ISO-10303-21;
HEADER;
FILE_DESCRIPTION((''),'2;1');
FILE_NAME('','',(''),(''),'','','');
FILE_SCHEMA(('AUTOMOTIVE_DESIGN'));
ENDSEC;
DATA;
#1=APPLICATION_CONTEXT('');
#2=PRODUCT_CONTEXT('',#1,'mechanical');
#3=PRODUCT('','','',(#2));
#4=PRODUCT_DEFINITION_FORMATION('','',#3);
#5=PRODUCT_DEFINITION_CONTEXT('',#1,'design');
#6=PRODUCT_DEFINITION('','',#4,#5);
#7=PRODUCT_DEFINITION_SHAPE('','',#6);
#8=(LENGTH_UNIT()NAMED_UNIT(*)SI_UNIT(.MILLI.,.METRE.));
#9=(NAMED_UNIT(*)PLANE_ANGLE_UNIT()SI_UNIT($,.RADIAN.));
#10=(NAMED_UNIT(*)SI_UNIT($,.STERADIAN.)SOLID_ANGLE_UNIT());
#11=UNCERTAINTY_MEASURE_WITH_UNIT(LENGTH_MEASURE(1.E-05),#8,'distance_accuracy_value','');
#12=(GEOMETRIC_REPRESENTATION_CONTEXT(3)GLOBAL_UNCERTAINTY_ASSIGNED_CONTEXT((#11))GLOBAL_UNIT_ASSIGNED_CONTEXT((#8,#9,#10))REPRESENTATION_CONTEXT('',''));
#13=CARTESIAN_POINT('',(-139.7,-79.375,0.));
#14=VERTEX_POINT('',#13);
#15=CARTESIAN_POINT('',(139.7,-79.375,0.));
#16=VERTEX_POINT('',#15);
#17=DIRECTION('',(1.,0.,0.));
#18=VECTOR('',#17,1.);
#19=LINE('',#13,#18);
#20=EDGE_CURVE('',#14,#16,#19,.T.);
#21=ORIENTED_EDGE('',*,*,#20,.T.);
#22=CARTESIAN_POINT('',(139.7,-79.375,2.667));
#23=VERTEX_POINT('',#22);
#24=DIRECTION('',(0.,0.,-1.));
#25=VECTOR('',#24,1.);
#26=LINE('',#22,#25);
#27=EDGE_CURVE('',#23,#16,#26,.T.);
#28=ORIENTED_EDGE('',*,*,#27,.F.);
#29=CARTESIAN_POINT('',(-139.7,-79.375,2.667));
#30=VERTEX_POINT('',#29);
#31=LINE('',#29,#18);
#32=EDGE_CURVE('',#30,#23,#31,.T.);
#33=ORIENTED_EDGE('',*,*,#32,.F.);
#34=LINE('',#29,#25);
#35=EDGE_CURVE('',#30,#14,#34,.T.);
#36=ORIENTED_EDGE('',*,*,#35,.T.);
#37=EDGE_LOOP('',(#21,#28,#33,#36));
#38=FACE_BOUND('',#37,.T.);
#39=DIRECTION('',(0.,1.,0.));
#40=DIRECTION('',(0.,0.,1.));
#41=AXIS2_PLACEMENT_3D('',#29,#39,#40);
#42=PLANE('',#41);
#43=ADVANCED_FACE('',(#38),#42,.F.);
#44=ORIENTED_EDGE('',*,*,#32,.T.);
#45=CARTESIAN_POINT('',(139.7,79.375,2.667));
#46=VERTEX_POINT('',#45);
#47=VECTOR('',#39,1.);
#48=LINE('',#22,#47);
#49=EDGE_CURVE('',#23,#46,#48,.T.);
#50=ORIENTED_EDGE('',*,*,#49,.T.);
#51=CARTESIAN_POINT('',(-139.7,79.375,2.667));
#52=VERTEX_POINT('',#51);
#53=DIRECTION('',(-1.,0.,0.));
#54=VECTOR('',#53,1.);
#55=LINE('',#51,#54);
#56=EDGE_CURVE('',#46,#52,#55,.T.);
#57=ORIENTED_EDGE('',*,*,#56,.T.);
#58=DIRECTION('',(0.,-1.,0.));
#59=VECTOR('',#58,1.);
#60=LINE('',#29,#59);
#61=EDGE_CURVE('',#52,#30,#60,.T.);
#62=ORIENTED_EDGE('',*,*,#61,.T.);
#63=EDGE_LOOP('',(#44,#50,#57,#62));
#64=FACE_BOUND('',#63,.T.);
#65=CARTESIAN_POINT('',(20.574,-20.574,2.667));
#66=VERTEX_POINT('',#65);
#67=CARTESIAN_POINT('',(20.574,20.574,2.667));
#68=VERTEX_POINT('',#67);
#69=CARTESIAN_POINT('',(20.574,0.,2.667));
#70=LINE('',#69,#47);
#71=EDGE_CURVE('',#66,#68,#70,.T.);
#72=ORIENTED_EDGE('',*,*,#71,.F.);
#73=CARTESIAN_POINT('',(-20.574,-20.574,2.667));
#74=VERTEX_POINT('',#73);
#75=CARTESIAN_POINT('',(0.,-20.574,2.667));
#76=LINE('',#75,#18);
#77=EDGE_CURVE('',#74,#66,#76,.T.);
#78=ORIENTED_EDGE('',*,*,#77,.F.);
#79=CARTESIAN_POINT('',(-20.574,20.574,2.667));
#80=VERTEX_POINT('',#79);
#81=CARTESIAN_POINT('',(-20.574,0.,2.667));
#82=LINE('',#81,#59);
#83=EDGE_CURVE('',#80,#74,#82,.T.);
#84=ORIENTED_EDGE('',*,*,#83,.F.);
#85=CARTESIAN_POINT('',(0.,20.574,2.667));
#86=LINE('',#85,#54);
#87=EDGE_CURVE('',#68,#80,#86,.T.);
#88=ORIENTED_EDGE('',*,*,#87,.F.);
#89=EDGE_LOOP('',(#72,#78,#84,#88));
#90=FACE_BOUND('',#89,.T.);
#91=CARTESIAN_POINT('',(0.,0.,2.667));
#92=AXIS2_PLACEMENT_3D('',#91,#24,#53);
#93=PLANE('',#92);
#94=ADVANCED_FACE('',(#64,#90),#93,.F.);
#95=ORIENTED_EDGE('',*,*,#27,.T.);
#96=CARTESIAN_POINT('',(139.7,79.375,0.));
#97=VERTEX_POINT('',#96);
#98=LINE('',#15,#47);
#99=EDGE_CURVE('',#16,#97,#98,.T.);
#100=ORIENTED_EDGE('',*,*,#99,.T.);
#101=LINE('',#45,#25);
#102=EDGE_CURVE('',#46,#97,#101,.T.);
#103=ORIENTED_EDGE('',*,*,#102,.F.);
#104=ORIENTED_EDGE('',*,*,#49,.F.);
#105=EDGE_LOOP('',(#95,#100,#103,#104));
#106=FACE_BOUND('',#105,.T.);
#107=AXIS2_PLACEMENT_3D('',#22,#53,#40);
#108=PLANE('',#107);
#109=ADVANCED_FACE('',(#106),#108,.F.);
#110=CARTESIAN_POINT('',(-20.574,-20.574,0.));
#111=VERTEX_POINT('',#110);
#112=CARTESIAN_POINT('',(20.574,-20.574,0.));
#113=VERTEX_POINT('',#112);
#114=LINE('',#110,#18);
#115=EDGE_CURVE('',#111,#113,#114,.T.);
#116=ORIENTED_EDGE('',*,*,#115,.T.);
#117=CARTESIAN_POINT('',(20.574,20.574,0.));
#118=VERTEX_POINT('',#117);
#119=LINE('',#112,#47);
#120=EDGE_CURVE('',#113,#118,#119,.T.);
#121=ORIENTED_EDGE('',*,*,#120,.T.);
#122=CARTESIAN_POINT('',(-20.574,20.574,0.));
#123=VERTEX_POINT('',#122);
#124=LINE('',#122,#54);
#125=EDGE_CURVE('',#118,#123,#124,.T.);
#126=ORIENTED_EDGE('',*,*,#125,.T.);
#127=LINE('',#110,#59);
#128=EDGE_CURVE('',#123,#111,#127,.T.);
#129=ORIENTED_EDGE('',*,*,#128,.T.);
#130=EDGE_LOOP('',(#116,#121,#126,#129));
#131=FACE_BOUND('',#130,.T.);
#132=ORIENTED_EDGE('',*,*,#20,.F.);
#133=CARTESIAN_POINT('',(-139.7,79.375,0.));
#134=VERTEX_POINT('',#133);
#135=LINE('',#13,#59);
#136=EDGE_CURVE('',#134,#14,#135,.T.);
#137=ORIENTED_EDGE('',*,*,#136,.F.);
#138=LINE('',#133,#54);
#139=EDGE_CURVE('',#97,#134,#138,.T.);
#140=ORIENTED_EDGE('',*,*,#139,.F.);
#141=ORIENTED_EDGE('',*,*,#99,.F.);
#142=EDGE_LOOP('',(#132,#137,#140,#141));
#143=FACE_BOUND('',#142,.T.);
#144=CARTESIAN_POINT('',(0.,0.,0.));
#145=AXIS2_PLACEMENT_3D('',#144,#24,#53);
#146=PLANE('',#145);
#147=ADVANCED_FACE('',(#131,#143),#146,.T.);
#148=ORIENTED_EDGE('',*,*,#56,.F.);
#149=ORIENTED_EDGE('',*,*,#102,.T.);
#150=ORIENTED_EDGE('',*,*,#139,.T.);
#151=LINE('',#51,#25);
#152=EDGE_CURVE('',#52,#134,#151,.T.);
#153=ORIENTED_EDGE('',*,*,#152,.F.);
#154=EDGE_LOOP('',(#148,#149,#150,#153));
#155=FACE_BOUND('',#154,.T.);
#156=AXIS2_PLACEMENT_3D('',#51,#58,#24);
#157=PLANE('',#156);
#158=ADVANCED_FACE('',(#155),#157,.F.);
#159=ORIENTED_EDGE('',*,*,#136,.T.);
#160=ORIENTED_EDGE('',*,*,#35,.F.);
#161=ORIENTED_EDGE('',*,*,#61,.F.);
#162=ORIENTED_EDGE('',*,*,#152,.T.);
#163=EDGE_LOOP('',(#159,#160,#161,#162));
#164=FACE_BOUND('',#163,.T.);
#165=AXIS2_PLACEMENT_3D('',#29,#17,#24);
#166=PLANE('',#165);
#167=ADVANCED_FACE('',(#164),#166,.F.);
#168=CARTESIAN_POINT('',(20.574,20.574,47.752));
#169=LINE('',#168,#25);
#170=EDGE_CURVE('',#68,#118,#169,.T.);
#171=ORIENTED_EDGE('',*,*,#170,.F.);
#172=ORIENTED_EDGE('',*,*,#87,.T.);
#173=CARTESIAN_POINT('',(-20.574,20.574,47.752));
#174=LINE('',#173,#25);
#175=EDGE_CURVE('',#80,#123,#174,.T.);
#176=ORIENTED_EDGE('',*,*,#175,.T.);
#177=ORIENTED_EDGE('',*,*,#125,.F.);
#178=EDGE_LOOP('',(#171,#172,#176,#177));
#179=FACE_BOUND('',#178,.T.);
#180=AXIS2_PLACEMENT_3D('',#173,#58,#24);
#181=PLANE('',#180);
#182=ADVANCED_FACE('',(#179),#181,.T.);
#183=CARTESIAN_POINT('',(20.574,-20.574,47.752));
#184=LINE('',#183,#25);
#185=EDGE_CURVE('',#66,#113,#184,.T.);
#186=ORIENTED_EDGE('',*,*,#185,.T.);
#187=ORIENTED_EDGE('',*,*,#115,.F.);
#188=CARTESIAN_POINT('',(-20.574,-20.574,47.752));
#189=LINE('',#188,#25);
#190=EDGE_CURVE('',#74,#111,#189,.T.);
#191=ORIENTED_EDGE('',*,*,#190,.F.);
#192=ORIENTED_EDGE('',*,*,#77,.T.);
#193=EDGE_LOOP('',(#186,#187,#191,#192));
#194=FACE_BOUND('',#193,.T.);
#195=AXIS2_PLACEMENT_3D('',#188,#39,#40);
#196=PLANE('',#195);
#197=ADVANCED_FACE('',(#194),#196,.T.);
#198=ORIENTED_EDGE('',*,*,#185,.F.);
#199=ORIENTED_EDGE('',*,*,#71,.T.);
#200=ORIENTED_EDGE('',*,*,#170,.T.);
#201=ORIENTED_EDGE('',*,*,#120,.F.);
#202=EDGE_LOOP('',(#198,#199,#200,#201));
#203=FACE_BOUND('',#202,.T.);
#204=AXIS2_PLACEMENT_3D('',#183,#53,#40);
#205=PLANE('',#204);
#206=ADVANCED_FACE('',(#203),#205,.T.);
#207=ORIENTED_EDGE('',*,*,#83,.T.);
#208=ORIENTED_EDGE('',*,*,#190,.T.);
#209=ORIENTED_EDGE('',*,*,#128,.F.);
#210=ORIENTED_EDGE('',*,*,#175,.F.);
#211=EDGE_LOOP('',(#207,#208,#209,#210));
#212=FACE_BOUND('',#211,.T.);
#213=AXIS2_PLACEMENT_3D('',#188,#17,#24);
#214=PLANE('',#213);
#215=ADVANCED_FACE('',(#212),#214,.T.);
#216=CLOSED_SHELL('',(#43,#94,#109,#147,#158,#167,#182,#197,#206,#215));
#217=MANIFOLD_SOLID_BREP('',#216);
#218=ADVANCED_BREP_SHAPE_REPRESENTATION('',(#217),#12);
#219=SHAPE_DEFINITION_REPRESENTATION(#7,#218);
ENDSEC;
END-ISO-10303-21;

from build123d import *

# Parameters (mm, degrees)
SKETCH1_W           = 279.4
SKETCH1_H           = 158.75
BOSS_EXTRUDE1_DEPTH = 2.667
SKETCH2_W           = 41.148
SKETCH2_H           = 41.148
CUT_EXTRUDE1_DEPTH  = 47.752


with BuildPart() as part:
    # Sketch1 → Boss-Extrude1 (new body)
    with BuildSketch(Plane.XY):
        Rectangle(SKETCH1_W, SKETCH1_H)
    extrude(amount=BOSS_EXTRUDE1_DEPTH)

    # Sketch2 → Cut-Extrude1 (cut)
    with BuildSketch(Plane.XY):
        Rectangle(SKETCH2_W, SKETCH2_H)
    extrude(amount=CUT_EXTRUDE1_DEPTH, mode=Mode.SUBTRACT)


solid = part.part
